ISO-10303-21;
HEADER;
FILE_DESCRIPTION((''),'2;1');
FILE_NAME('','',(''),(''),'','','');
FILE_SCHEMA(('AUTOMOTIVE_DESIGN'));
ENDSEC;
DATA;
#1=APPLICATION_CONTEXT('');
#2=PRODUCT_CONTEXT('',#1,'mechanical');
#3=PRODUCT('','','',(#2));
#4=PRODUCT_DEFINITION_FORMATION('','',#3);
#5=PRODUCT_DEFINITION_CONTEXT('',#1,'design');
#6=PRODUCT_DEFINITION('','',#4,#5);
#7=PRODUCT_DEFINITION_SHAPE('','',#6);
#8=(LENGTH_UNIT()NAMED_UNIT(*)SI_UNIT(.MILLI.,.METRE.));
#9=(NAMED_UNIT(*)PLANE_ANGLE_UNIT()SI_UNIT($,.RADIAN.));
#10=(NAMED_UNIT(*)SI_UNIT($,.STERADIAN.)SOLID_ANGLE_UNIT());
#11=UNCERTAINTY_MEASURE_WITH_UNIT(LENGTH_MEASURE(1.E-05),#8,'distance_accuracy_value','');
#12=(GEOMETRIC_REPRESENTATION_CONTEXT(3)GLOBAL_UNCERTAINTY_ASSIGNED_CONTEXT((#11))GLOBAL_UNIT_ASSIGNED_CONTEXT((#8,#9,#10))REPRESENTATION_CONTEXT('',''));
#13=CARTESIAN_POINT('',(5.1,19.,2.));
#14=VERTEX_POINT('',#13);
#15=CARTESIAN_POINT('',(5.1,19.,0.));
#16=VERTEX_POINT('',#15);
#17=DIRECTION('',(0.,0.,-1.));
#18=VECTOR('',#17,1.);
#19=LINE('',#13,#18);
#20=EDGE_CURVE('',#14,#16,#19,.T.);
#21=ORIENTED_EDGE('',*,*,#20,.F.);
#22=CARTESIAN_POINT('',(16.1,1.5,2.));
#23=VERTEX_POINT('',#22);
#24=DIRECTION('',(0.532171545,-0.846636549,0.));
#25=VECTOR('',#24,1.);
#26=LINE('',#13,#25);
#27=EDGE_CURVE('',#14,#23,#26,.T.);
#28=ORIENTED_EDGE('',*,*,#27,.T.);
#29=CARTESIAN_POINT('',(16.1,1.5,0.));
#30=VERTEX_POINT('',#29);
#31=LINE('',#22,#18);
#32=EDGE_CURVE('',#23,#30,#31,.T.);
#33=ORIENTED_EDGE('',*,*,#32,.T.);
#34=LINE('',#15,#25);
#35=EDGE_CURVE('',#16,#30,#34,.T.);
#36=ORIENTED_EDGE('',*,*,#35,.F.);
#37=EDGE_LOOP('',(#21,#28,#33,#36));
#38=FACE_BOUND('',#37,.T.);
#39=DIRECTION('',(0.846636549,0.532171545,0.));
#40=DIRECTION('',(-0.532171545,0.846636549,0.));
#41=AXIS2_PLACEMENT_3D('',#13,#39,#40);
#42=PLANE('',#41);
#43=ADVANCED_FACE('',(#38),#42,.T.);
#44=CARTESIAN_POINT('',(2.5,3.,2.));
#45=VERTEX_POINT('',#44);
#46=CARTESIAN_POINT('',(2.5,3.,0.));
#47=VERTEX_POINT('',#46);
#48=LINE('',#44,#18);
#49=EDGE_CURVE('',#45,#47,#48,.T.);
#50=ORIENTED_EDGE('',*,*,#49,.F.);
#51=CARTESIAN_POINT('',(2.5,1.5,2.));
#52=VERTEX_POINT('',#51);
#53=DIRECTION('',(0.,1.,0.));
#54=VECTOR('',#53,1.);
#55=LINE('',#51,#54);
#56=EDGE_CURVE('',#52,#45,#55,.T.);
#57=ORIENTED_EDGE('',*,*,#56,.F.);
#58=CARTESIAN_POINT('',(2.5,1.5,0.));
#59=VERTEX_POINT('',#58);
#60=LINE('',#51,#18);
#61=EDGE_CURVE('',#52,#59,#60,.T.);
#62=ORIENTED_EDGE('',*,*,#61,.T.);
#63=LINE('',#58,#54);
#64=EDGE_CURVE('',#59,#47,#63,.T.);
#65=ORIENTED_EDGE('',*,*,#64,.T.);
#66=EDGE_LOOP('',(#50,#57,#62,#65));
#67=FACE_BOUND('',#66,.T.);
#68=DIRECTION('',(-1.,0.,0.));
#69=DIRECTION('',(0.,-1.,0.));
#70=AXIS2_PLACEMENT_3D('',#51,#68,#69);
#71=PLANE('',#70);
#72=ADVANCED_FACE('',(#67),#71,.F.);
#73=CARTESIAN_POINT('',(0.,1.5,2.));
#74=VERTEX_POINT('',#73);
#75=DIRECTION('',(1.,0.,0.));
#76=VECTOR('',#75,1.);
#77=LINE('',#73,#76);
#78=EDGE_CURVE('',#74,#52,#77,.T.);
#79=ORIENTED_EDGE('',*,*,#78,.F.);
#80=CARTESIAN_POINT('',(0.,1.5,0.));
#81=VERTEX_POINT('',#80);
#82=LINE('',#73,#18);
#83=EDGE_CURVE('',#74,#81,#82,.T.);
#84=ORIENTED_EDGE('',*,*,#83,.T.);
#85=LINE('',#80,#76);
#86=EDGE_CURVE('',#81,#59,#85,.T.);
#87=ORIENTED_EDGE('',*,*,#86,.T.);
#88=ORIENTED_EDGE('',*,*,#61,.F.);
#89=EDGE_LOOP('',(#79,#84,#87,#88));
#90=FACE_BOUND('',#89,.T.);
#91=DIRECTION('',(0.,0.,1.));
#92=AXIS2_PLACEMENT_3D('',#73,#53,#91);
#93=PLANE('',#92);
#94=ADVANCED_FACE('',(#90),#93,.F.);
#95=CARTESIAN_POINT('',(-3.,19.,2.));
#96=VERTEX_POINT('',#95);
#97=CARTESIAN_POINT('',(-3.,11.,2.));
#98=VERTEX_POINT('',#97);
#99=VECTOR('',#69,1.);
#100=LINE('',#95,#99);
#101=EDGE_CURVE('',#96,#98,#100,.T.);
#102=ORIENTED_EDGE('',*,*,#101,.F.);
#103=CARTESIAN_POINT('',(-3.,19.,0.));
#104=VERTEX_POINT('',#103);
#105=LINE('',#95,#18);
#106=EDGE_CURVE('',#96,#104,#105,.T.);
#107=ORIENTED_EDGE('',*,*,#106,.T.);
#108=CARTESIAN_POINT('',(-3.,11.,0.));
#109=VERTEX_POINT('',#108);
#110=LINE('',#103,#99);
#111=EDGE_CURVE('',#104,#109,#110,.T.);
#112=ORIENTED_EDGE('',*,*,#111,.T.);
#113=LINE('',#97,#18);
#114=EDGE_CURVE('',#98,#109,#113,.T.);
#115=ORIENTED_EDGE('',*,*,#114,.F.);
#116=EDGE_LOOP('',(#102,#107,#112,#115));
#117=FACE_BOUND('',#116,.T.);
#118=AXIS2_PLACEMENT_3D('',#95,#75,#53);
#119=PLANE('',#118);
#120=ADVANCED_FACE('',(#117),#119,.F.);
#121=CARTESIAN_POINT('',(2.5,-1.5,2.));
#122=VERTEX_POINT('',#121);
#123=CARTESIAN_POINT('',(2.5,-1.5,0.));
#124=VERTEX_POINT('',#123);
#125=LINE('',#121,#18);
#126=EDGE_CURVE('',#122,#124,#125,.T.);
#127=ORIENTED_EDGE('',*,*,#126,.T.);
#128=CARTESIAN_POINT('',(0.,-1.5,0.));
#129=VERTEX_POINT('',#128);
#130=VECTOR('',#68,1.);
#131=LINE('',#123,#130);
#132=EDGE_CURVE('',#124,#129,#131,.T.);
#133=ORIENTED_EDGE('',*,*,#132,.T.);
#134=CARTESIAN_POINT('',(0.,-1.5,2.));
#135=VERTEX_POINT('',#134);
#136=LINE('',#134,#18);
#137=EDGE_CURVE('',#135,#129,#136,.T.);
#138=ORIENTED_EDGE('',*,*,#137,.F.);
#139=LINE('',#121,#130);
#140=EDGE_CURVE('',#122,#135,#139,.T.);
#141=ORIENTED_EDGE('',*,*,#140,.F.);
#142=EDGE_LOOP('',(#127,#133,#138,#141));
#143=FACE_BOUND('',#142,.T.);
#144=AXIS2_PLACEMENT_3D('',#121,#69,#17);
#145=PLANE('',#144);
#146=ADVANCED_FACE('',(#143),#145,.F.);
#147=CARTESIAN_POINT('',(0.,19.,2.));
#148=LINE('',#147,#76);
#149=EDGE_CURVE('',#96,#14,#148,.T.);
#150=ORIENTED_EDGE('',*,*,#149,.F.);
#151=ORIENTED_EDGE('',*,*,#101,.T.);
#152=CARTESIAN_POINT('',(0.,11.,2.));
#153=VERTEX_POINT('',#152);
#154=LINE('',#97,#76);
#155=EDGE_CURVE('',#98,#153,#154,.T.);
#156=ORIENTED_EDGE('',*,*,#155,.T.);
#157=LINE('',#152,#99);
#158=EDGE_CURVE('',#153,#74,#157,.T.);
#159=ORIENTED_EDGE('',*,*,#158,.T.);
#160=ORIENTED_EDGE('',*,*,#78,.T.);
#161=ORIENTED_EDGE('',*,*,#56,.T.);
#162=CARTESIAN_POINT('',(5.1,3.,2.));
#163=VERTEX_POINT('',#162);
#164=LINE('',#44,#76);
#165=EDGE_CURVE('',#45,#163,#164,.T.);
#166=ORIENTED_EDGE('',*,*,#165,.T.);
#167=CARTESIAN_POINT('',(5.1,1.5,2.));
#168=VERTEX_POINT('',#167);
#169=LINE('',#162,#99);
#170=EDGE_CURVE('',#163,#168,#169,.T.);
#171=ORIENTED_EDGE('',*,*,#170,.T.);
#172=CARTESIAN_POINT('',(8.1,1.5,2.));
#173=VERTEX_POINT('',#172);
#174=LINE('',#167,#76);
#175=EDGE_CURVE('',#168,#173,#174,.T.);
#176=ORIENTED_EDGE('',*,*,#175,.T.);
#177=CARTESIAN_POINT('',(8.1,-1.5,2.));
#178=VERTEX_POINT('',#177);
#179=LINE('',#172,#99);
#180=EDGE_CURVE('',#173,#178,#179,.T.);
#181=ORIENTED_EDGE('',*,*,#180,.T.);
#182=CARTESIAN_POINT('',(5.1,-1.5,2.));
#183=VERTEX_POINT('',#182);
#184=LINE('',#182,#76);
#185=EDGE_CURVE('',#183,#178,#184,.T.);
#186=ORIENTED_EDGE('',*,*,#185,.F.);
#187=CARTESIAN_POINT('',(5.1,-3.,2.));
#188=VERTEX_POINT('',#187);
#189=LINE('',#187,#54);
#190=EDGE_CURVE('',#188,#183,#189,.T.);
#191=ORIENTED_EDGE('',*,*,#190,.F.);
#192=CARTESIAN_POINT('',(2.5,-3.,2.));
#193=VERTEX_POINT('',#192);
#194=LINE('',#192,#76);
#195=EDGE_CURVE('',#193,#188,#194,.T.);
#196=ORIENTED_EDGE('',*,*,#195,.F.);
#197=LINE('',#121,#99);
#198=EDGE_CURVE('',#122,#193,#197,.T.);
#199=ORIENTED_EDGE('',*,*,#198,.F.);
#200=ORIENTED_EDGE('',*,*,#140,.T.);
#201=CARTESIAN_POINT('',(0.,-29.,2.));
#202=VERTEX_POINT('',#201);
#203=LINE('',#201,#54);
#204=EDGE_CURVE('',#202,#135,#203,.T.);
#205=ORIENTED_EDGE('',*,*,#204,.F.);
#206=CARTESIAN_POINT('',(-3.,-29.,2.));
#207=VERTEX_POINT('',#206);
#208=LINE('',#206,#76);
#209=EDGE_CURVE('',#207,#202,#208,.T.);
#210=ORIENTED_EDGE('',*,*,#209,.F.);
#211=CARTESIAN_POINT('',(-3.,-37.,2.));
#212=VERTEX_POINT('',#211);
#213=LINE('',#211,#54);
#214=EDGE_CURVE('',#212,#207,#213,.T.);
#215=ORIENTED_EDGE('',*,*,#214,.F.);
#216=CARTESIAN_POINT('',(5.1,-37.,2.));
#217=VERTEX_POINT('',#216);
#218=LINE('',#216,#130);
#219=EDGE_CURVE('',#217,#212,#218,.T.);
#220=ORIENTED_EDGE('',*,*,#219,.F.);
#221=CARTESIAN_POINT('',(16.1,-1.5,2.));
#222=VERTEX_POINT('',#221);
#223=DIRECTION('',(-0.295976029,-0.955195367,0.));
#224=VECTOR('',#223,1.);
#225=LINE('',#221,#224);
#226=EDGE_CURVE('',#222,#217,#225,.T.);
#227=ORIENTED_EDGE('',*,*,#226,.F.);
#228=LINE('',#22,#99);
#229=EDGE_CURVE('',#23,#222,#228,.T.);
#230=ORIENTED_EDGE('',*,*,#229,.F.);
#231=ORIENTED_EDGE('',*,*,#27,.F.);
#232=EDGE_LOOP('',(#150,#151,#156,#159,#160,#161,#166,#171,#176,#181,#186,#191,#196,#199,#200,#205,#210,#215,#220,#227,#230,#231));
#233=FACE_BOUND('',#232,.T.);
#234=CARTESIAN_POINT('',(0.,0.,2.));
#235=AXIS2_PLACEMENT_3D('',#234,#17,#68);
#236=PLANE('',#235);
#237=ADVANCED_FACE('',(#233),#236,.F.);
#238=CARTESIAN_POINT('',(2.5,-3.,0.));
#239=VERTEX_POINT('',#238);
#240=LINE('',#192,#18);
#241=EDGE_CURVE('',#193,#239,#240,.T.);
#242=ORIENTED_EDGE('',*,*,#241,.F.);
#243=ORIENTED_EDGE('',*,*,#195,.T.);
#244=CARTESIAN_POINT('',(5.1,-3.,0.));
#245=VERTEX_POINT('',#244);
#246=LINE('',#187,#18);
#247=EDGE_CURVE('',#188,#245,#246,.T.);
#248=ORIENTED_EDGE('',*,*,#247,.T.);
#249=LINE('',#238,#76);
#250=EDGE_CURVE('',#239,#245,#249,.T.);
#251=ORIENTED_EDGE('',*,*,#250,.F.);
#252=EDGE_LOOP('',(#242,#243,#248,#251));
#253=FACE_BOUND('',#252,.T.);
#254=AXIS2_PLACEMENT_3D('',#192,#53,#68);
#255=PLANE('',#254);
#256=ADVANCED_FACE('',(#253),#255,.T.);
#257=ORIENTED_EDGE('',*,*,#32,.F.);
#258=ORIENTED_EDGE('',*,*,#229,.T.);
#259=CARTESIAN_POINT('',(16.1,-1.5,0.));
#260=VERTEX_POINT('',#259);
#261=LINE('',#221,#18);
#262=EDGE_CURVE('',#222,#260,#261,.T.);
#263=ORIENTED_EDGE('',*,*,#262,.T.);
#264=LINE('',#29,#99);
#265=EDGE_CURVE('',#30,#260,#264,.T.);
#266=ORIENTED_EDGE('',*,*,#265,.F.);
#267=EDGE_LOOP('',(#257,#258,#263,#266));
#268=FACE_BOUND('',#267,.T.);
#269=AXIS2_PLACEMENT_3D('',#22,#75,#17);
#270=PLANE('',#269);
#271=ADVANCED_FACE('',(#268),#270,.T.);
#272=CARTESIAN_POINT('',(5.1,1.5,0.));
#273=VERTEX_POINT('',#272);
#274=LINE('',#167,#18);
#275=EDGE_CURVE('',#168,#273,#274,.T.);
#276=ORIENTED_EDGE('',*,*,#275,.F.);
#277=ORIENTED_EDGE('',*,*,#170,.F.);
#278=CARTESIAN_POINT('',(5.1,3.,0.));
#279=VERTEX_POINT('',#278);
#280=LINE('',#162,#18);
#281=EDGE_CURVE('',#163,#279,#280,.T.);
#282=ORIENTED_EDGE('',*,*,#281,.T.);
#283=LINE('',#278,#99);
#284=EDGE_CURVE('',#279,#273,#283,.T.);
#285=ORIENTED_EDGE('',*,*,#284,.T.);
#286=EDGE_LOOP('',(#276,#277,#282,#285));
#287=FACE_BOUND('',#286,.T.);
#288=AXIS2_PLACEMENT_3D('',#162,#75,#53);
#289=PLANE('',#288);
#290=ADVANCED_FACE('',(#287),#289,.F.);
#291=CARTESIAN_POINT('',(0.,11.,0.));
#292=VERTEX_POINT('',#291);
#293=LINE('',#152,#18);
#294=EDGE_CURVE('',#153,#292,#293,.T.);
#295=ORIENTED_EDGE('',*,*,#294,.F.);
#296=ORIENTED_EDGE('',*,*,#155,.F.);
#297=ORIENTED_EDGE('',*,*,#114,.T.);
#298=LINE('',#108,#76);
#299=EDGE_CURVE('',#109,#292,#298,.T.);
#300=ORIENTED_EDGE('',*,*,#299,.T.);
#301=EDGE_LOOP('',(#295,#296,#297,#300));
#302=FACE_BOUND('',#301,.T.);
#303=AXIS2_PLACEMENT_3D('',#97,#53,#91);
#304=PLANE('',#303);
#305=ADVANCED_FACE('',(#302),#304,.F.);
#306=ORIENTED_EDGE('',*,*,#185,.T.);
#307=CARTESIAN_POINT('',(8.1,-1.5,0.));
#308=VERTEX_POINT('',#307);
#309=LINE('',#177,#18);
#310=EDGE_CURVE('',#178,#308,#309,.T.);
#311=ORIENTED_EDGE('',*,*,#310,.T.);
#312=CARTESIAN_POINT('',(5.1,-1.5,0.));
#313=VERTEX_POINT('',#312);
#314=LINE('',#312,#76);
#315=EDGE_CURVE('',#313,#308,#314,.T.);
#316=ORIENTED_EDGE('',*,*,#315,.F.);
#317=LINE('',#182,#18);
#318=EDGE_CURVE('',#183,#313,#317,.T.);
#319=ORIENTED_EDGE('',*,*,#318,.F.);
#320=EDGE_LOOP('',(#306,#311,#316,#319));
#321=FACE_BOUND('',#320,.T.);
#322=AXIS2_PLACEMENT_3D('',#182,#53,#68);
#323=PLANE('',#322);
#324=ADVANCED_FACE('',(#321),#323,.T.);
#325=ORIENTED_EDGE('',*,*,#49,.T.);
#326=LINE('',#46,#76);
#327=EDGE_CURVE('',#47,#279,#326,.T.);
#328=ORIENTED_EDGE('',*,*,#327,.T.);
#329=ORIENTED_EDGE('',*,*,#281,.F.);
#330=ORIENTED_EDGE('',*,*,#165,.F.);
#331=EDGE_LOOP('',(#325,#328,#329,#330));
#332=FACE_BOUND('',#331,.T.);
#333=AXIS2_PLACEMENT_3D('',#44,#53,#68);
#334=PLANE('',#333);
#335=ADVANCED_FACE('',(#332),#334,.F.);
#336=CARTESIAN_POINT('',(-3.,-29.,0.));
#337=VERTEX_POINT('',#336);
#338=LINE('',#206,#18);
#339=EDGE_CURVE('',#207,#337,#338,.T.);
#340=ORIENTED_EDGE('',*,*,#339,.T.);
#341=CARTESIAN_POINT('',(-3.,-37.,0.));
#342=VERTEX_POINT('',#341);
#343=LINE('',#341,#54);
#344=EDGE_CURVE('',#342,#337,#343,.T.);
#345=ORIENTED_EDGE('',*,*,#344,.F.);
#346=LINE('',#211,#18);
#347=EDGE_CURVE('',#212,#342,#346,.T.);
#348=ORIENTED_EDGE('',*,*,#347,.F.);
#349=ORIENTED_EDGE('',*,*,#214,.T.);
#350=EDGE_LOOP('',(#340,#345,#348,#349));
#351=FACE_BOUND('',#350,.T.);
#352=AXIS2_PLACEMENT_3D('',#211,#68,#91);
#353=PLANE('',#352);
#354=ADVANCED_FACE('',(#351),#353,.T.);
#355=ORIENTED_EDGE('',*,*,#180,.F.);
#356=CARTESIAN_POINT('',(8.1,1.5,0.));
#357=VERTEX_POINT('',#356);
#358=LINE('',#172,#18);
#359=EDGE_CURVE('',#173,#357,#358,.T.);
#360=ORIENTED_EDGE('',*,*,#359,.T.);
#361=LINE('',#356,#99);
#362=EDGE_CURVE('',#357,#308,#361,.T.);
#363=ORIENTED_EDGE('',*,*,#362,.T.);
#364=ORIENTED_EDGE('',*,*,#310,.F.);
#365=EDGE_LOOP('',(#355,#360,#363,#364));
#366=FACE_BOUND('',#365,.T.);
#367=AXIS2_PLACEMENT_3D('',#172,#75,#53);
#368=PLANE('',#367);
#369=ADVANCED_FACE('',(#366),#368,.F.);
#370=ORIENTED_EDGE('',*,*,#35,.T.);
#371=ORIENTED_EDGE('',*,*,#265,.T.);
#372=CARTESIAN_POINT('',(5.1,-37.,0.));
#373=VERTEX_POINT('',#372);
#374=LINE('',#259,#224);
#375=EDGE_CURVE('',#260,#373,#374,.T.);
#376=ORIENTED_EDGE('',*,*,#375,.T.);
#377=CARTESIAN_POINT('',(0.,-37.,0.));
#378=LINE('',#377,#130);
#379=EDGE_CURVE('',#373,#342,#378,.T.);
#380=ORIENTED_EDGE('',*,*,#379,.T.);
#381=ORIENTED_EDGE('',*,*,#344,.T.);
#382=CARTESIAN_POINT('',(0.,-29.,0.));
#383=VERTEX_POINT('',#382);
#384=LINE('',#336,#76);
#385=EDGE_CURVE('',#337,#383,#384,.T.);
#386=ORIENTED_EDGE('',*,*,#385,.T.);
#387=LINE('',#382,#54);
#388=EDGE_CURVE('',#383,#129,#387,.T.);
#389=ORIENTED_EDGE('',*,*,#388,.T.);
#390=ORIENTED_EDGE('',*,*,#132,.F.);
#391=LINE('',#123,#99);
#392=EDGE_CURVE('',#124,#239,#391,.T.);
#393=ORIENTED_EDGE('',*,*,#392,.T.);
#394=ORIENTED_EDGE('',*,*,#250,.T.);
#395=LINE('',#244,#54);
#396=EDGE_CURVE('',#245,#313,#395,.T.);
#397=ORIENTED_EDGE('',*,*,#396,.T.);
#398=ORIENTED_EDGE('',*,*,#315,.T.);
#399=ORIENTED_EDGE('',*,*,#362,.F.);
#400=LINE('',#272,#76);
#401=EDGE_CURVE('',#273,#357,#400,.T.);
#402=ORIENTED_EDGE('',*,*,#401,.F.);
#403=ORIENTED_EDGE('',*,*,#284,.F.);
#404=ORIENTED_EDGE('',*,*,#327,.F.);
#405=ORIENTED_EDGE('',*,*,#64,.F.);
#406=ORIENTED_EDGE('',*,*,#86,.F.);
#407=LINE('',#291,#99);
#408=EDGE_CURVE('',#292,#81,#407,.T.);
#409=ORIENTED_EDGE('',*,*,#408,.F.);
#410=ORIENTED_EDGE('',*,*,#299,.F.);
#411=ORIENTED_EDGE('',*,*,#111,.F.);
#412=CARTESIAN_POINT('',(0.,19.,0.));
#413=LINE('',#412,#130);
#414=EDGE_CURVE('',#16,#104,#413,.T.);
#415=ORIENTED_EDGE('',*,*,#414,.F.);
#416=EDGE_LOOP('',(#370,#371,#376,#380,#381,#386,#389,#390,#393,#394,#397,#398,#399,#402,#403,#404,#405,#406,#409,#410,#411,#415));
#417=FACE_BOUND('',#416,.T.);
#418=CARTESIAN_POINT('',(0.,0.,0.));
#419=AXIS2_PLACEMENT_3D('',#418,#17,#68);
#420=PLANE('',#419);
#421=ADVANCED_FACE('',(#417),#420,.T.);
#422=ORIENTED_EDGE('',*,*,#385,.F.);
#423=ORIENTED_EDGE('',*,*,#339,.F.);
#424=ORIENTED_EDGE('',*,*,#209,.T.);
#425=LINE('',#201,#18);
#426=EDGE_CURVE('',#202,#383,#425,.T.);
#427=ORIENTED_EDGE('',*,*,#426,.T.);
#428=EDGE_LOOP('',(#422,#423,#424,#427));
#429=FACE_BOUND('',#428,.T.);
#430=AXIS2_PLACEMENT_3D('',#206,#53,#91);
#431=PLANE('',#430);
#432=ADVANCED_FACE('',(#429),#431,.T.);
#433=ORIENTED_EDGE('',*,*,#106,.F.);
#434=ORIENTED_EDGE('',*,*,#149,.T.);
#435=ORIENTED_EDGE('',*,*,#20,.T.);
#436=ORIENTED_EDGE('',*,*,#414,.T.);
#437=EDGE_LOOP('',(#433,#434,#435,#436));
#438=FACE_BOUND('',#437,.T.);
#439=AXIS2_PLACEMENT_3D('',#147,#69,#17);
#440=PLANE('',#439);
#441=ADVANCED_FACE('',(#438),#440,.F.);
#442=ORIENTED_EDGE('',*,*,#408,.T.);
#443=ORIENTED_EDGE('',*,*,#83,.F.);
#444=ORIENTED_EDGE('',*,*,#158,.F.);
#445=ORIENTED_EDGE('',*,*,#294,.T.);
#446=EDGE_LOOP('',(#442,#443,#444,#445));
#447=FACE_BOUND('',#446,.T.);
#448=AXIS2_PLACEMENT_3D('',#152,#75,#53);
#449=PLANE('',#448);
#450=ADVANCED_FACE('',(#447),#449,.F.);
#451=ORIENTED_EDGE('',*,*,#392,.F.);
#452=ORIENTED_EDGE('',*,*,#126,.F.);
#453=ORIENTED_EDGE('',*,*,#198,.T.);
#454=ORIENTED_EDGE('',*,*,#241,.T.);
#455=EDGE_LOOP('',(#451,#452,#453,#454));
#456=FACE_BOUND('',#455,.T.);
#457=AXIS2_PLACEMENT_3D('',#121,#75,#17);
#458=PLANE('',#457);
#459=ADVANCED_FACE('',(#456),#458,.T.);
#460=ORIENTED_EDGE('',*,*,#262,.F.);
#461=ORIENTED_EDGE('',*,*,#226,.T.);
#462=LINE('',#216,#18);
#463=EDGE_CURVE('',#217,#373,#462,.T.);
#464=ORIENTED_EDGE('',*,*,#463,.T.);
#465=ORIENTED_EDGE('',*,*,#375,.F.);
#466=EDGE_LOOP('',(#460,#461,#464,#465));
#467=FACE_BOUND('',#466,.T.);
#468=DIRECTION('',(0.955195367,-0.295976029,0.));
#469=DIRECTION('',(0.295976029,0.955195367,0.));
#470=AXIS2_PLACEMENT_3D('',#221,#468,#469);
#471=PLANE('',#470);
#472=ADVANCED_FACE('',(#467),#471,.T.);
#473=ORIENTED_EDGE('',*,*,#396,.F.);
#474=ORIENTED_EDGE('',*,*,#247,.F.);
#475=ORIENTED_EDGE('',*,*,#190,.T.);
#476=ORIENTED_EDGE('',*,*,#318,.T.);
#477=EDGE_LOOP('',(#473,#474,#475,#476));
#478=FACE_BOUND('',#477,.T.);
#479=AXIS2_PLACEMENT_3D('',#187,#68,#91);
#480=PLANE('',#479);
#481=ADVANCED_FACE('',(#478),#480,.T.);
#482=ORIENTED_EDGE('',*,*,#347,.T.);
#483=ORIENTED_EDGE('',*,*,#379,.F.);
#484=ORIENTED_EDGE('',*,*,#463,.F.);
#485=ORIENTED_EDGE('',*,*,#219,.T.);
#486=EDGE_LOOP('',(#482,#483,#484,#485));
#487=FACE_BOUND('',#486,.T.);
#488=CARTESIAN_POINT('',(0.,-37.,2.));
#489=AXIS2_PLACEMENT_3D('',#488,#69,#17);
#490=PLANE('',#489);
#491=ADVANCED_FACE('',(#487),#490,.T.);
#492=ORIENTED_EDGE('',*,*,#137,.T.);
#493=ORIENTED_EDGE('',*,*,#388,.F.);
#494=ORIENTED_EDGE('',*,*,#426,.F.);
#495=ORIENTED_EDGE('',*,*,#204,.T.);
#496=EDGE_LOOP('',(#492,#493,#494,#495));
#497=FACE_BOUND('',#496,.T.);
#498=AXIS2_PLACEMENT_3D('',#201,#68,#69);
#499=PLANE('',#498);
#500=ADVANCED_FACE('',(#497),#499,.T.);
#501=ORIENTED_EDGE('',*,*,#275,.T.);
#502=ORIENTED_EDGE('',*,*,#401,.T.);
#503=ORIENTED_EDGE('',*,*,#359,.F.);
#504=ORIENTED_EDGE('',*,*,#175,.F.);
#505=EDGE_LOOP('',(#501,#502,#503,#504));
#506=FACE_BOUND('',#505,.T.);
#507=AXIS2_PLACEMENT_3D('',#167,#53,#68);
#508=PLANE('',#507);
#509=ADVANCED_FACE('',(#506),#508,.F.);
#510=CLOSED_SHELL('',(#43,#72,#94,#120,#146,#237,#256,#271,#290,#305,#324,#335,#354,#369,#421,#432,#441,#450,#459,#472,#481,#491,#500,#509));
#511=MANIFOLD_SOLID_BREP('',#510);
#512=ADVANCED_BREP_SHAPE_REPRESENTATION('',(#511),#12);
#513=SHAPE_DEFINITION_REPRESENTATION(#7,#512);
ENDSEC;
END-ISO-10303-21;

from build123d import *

# Parameters (mm, degrees)
EXTRUDE_1_DEPTH = 2


with BuildPart() as part:
    # 草图1 → 凸台-拉伸1 (new body)
    with BuildSketch(Plane.XY):
        Polygon((2.5, -1.5), (2.5, -3), (5.1, -3), (5.1, -1.5), (8.1, -1.5), (8.1, 1.5), (5.1, 1.5), (5.1, 3), (2.5, 3), (2.5, 1.5), (0, 1.5), (0, 11), (-3, 11), (-3, 19), (0, 19), (5.1, 19), (16.1, 1.5), (16.1, -1.5), (5.1, -37), (0, -37), (-3, -37), (-3, -29), (0, -29), (0, -1.5), align=None)
    extrude(amount=EXTRUDE_1_DEPTH)


solid = part.part
